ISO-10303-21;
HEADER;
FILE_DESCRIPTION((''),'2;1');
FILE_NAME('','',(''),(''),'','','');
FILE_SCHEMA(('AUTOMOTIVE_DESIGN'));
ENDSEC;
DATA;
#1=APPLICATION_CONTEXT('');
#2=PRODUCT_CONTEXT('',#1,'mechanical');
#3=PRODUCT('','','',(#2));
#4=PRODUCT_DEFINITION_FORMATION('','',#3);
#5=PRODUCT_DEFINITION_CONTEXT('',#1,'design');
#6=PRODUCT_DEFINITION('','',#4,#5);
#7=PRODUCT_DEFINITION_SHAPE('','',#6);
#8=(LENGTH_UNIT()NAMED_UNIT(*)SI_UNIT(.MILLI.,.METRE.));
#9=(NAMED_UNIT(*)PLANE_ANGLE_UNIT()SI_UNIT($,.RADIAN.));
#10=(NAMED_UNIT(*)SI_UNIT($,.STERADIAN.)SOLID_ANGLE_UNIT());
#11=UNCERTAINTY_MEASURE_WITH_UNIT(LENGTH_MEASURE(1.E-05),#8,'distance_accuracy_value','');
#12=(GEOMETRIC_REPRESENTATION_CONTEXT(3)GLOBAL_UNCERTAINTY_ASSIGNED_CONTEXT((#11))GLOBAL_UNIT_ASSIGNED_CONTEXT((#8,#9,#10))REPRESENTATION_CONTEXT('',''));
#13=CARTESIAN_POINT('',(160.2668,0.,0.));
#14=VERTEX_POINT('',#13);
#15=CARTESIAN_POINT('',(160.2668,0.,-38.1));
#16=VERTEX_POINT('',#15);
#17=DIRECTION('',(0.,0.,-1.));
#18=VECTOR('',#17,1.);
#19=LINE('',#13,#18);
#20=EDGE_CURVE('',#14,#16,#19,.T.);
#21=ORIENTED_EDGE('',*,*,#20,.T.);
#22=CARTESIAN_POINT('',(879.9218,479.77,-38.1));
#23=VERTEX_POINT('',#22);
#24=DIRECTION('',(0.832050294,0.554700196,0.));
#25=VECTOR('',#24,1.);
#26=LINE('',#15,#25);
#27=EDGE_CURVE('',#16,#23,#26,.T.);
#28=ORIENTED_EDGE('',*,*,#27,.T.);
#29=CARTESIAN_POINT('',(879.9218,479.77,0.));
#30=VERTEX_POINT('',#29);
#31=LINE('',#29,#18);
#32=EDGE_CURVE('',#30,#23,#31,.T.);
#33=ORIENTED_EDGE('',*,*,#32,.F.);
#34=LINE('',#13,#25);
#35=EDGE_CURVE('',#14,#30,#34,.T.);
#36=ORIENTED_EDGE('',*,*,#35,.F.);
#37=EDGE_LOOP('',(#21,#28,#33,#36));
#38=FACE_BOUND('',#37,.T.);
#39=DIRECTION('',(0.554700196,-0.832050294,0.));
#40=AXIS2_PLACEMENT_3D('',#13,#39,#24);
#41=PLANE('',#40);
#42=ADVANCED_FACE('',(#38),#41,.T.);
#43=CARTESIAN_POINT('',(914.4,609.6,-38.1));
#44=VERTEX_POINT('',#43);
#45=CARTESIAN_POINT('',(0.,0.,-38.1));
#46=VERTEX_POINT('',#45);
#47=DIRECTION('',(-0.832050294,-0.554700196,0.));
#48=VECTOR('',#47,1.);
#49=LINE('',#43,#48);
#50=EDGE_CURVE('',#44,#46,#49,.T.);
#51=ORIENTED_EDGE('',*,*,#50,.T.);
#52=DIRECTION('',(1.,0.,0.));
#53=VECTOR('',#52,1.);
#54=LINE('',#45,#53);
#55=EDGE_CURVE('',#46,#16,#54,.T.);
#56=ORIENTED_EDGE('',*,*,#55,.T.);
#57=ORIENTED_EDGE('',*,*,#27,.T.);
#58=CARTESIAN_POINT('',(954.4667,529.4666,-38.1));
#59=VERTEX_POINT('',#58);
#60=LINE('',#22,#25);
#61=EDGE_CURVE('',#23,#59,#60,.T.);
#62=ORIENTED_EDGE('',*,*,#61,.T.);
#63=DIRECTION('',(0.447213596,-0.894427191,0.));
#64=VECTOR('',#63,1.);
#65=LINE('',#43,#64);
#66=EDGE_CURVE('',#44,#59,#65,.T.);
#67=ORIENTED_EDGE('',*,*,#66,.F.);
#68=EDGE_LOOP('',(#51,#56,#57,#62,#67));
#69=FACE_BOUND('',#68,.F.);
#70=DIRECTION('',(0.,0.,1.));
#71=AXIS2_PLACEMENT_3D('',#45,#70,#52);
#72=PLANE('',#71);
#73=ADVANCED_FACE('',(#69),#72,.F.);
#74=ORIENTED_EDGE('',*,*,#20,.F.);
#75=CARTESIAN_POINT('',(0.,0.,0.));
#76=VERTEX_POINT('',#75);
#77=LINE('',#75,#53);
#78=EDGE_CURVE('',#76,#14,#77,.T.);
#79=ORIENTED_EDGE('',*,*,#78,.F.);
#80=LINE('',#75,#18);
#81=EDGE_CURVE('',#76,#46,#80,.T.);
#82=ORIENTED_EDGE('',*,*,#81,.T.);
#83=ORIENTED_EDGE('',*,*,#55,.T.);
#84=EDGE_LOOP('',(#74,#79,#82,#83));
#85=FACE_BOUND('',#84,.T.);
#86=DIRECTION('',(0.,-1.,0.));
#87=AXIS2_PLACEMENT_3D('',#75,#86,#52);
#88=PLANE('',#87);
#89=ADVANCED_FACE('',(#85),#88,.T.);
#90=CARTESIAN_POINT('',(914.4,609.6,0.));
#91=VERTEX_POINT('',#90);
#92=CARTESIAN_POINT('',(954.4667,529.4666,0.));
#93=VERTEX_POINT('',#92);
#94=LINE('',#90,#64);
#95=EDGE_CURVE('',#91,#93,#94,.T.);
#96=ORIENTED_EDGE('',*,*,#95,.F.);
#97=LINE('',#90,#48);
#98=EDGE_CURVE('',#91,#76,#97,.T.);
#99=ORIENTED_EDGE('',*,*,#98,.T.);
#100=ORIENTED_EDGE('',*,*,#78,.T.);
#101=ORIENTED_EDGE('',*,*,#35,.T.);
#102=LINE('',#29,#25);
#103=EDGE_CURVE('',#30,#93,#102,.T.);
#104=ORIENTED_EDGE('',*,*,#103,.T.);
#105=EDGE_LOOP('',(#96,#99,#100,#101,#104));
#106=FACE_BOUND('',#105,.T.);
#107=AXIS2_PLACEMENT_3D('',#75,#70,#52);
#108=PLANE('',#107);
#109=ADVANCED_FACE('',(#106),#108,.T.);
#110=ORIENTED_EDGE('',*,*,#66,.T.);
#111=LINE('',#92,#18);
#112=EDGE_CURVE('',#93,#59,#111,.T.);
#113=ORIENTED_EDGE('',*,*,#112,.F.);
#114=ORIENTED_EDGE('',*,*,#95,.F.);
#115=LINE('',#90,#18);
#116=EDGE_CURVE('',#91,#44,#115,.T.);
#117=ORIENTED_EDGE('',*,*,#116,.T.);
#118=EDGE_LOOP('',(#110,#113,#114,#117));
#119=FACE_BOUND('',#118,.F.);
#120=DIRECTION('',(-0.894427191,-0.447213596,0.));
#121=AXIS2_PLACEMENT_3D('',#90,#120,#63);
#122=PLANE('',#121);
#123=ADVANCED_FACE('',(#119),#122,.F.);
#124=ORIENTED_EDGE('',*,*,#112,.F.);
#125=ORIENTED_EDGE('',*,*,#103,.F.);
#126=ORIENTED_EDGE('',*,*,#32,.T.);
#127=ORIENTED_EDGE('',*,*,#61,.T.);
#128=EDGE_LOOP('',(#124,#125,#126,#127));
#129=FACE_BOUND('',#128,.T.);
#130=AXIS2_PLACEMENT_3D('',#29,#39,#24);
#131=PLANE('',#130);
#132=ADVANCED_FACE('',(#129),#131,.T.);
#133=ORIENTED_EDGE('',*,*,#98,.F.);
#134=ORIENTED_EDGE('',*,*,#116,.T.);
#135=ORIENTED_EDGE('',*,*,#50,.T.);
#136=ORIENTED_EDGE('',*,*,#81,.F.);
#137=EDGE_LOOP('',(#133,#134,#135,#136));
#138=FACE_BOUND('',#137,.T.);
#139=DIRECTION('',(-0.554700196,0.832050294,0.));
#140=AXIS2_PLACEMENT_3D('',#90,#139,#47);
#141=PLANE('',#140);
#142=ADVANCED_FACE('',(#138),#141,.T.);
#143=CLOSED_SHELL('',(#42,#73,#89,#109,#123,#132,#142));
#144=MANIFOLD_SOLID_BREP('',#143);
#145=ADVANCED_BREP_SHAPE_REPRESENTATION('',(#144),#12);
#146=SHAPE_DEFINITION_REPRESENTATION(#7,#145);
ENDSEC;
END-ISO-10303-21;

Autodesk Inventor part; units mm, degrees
ref_plane "YZ Plane" through (0, 0, 0) normal (1, 0, 0) x (0, 1, 0)
ref_plane "XZ Plane" through (0, 0, 0) normal (0, 1, 0) x (-1, 0, 0)
ref_plane "XY Plane" through (0, 0, 0) normal (0, 0, 1) x (1, 0, 0)
sketch "Sketch1" plane through (0, 0, 0) normal (0, 0, 1) x (1, 0, 0)
  line L0 (0, 0) -> (0, -38.1) projected
  line L1 (0, -38.1) -> (1219.2, -38.1) projected
  line L2 (1219.2, 0) -> (1219.2, -38.1) projected
  line L3 (0, 0) -> (1219.2, 0) projected
  line L4 (0, 0) -> (914.4, 0)
  line L5 (914.4, 609.6) -> (0, 0)
  line L6 (914.4, 609.6) -> (1219.2, 0)
  line L7 (1219.2, 0) -> (1126.19, 0)
  line L8 (1119.8068, 0) -> (879.9218, 479.77)
  line L9 (1119.8068, 0) -> (1219.2, 0)
  line L10 (160.2668, 0) -> (879.9218, 479.77)
  line L11 (879.9218, 479.77) -> (954.4667, 529.4666)
  dimension "d3" = 88.9
extrude "Extrusion1" add sketch "Sketch1" against normal blind 38.1 contours L5 L6 L11 L10 L3
properties part number "S_2x4x43.267"
